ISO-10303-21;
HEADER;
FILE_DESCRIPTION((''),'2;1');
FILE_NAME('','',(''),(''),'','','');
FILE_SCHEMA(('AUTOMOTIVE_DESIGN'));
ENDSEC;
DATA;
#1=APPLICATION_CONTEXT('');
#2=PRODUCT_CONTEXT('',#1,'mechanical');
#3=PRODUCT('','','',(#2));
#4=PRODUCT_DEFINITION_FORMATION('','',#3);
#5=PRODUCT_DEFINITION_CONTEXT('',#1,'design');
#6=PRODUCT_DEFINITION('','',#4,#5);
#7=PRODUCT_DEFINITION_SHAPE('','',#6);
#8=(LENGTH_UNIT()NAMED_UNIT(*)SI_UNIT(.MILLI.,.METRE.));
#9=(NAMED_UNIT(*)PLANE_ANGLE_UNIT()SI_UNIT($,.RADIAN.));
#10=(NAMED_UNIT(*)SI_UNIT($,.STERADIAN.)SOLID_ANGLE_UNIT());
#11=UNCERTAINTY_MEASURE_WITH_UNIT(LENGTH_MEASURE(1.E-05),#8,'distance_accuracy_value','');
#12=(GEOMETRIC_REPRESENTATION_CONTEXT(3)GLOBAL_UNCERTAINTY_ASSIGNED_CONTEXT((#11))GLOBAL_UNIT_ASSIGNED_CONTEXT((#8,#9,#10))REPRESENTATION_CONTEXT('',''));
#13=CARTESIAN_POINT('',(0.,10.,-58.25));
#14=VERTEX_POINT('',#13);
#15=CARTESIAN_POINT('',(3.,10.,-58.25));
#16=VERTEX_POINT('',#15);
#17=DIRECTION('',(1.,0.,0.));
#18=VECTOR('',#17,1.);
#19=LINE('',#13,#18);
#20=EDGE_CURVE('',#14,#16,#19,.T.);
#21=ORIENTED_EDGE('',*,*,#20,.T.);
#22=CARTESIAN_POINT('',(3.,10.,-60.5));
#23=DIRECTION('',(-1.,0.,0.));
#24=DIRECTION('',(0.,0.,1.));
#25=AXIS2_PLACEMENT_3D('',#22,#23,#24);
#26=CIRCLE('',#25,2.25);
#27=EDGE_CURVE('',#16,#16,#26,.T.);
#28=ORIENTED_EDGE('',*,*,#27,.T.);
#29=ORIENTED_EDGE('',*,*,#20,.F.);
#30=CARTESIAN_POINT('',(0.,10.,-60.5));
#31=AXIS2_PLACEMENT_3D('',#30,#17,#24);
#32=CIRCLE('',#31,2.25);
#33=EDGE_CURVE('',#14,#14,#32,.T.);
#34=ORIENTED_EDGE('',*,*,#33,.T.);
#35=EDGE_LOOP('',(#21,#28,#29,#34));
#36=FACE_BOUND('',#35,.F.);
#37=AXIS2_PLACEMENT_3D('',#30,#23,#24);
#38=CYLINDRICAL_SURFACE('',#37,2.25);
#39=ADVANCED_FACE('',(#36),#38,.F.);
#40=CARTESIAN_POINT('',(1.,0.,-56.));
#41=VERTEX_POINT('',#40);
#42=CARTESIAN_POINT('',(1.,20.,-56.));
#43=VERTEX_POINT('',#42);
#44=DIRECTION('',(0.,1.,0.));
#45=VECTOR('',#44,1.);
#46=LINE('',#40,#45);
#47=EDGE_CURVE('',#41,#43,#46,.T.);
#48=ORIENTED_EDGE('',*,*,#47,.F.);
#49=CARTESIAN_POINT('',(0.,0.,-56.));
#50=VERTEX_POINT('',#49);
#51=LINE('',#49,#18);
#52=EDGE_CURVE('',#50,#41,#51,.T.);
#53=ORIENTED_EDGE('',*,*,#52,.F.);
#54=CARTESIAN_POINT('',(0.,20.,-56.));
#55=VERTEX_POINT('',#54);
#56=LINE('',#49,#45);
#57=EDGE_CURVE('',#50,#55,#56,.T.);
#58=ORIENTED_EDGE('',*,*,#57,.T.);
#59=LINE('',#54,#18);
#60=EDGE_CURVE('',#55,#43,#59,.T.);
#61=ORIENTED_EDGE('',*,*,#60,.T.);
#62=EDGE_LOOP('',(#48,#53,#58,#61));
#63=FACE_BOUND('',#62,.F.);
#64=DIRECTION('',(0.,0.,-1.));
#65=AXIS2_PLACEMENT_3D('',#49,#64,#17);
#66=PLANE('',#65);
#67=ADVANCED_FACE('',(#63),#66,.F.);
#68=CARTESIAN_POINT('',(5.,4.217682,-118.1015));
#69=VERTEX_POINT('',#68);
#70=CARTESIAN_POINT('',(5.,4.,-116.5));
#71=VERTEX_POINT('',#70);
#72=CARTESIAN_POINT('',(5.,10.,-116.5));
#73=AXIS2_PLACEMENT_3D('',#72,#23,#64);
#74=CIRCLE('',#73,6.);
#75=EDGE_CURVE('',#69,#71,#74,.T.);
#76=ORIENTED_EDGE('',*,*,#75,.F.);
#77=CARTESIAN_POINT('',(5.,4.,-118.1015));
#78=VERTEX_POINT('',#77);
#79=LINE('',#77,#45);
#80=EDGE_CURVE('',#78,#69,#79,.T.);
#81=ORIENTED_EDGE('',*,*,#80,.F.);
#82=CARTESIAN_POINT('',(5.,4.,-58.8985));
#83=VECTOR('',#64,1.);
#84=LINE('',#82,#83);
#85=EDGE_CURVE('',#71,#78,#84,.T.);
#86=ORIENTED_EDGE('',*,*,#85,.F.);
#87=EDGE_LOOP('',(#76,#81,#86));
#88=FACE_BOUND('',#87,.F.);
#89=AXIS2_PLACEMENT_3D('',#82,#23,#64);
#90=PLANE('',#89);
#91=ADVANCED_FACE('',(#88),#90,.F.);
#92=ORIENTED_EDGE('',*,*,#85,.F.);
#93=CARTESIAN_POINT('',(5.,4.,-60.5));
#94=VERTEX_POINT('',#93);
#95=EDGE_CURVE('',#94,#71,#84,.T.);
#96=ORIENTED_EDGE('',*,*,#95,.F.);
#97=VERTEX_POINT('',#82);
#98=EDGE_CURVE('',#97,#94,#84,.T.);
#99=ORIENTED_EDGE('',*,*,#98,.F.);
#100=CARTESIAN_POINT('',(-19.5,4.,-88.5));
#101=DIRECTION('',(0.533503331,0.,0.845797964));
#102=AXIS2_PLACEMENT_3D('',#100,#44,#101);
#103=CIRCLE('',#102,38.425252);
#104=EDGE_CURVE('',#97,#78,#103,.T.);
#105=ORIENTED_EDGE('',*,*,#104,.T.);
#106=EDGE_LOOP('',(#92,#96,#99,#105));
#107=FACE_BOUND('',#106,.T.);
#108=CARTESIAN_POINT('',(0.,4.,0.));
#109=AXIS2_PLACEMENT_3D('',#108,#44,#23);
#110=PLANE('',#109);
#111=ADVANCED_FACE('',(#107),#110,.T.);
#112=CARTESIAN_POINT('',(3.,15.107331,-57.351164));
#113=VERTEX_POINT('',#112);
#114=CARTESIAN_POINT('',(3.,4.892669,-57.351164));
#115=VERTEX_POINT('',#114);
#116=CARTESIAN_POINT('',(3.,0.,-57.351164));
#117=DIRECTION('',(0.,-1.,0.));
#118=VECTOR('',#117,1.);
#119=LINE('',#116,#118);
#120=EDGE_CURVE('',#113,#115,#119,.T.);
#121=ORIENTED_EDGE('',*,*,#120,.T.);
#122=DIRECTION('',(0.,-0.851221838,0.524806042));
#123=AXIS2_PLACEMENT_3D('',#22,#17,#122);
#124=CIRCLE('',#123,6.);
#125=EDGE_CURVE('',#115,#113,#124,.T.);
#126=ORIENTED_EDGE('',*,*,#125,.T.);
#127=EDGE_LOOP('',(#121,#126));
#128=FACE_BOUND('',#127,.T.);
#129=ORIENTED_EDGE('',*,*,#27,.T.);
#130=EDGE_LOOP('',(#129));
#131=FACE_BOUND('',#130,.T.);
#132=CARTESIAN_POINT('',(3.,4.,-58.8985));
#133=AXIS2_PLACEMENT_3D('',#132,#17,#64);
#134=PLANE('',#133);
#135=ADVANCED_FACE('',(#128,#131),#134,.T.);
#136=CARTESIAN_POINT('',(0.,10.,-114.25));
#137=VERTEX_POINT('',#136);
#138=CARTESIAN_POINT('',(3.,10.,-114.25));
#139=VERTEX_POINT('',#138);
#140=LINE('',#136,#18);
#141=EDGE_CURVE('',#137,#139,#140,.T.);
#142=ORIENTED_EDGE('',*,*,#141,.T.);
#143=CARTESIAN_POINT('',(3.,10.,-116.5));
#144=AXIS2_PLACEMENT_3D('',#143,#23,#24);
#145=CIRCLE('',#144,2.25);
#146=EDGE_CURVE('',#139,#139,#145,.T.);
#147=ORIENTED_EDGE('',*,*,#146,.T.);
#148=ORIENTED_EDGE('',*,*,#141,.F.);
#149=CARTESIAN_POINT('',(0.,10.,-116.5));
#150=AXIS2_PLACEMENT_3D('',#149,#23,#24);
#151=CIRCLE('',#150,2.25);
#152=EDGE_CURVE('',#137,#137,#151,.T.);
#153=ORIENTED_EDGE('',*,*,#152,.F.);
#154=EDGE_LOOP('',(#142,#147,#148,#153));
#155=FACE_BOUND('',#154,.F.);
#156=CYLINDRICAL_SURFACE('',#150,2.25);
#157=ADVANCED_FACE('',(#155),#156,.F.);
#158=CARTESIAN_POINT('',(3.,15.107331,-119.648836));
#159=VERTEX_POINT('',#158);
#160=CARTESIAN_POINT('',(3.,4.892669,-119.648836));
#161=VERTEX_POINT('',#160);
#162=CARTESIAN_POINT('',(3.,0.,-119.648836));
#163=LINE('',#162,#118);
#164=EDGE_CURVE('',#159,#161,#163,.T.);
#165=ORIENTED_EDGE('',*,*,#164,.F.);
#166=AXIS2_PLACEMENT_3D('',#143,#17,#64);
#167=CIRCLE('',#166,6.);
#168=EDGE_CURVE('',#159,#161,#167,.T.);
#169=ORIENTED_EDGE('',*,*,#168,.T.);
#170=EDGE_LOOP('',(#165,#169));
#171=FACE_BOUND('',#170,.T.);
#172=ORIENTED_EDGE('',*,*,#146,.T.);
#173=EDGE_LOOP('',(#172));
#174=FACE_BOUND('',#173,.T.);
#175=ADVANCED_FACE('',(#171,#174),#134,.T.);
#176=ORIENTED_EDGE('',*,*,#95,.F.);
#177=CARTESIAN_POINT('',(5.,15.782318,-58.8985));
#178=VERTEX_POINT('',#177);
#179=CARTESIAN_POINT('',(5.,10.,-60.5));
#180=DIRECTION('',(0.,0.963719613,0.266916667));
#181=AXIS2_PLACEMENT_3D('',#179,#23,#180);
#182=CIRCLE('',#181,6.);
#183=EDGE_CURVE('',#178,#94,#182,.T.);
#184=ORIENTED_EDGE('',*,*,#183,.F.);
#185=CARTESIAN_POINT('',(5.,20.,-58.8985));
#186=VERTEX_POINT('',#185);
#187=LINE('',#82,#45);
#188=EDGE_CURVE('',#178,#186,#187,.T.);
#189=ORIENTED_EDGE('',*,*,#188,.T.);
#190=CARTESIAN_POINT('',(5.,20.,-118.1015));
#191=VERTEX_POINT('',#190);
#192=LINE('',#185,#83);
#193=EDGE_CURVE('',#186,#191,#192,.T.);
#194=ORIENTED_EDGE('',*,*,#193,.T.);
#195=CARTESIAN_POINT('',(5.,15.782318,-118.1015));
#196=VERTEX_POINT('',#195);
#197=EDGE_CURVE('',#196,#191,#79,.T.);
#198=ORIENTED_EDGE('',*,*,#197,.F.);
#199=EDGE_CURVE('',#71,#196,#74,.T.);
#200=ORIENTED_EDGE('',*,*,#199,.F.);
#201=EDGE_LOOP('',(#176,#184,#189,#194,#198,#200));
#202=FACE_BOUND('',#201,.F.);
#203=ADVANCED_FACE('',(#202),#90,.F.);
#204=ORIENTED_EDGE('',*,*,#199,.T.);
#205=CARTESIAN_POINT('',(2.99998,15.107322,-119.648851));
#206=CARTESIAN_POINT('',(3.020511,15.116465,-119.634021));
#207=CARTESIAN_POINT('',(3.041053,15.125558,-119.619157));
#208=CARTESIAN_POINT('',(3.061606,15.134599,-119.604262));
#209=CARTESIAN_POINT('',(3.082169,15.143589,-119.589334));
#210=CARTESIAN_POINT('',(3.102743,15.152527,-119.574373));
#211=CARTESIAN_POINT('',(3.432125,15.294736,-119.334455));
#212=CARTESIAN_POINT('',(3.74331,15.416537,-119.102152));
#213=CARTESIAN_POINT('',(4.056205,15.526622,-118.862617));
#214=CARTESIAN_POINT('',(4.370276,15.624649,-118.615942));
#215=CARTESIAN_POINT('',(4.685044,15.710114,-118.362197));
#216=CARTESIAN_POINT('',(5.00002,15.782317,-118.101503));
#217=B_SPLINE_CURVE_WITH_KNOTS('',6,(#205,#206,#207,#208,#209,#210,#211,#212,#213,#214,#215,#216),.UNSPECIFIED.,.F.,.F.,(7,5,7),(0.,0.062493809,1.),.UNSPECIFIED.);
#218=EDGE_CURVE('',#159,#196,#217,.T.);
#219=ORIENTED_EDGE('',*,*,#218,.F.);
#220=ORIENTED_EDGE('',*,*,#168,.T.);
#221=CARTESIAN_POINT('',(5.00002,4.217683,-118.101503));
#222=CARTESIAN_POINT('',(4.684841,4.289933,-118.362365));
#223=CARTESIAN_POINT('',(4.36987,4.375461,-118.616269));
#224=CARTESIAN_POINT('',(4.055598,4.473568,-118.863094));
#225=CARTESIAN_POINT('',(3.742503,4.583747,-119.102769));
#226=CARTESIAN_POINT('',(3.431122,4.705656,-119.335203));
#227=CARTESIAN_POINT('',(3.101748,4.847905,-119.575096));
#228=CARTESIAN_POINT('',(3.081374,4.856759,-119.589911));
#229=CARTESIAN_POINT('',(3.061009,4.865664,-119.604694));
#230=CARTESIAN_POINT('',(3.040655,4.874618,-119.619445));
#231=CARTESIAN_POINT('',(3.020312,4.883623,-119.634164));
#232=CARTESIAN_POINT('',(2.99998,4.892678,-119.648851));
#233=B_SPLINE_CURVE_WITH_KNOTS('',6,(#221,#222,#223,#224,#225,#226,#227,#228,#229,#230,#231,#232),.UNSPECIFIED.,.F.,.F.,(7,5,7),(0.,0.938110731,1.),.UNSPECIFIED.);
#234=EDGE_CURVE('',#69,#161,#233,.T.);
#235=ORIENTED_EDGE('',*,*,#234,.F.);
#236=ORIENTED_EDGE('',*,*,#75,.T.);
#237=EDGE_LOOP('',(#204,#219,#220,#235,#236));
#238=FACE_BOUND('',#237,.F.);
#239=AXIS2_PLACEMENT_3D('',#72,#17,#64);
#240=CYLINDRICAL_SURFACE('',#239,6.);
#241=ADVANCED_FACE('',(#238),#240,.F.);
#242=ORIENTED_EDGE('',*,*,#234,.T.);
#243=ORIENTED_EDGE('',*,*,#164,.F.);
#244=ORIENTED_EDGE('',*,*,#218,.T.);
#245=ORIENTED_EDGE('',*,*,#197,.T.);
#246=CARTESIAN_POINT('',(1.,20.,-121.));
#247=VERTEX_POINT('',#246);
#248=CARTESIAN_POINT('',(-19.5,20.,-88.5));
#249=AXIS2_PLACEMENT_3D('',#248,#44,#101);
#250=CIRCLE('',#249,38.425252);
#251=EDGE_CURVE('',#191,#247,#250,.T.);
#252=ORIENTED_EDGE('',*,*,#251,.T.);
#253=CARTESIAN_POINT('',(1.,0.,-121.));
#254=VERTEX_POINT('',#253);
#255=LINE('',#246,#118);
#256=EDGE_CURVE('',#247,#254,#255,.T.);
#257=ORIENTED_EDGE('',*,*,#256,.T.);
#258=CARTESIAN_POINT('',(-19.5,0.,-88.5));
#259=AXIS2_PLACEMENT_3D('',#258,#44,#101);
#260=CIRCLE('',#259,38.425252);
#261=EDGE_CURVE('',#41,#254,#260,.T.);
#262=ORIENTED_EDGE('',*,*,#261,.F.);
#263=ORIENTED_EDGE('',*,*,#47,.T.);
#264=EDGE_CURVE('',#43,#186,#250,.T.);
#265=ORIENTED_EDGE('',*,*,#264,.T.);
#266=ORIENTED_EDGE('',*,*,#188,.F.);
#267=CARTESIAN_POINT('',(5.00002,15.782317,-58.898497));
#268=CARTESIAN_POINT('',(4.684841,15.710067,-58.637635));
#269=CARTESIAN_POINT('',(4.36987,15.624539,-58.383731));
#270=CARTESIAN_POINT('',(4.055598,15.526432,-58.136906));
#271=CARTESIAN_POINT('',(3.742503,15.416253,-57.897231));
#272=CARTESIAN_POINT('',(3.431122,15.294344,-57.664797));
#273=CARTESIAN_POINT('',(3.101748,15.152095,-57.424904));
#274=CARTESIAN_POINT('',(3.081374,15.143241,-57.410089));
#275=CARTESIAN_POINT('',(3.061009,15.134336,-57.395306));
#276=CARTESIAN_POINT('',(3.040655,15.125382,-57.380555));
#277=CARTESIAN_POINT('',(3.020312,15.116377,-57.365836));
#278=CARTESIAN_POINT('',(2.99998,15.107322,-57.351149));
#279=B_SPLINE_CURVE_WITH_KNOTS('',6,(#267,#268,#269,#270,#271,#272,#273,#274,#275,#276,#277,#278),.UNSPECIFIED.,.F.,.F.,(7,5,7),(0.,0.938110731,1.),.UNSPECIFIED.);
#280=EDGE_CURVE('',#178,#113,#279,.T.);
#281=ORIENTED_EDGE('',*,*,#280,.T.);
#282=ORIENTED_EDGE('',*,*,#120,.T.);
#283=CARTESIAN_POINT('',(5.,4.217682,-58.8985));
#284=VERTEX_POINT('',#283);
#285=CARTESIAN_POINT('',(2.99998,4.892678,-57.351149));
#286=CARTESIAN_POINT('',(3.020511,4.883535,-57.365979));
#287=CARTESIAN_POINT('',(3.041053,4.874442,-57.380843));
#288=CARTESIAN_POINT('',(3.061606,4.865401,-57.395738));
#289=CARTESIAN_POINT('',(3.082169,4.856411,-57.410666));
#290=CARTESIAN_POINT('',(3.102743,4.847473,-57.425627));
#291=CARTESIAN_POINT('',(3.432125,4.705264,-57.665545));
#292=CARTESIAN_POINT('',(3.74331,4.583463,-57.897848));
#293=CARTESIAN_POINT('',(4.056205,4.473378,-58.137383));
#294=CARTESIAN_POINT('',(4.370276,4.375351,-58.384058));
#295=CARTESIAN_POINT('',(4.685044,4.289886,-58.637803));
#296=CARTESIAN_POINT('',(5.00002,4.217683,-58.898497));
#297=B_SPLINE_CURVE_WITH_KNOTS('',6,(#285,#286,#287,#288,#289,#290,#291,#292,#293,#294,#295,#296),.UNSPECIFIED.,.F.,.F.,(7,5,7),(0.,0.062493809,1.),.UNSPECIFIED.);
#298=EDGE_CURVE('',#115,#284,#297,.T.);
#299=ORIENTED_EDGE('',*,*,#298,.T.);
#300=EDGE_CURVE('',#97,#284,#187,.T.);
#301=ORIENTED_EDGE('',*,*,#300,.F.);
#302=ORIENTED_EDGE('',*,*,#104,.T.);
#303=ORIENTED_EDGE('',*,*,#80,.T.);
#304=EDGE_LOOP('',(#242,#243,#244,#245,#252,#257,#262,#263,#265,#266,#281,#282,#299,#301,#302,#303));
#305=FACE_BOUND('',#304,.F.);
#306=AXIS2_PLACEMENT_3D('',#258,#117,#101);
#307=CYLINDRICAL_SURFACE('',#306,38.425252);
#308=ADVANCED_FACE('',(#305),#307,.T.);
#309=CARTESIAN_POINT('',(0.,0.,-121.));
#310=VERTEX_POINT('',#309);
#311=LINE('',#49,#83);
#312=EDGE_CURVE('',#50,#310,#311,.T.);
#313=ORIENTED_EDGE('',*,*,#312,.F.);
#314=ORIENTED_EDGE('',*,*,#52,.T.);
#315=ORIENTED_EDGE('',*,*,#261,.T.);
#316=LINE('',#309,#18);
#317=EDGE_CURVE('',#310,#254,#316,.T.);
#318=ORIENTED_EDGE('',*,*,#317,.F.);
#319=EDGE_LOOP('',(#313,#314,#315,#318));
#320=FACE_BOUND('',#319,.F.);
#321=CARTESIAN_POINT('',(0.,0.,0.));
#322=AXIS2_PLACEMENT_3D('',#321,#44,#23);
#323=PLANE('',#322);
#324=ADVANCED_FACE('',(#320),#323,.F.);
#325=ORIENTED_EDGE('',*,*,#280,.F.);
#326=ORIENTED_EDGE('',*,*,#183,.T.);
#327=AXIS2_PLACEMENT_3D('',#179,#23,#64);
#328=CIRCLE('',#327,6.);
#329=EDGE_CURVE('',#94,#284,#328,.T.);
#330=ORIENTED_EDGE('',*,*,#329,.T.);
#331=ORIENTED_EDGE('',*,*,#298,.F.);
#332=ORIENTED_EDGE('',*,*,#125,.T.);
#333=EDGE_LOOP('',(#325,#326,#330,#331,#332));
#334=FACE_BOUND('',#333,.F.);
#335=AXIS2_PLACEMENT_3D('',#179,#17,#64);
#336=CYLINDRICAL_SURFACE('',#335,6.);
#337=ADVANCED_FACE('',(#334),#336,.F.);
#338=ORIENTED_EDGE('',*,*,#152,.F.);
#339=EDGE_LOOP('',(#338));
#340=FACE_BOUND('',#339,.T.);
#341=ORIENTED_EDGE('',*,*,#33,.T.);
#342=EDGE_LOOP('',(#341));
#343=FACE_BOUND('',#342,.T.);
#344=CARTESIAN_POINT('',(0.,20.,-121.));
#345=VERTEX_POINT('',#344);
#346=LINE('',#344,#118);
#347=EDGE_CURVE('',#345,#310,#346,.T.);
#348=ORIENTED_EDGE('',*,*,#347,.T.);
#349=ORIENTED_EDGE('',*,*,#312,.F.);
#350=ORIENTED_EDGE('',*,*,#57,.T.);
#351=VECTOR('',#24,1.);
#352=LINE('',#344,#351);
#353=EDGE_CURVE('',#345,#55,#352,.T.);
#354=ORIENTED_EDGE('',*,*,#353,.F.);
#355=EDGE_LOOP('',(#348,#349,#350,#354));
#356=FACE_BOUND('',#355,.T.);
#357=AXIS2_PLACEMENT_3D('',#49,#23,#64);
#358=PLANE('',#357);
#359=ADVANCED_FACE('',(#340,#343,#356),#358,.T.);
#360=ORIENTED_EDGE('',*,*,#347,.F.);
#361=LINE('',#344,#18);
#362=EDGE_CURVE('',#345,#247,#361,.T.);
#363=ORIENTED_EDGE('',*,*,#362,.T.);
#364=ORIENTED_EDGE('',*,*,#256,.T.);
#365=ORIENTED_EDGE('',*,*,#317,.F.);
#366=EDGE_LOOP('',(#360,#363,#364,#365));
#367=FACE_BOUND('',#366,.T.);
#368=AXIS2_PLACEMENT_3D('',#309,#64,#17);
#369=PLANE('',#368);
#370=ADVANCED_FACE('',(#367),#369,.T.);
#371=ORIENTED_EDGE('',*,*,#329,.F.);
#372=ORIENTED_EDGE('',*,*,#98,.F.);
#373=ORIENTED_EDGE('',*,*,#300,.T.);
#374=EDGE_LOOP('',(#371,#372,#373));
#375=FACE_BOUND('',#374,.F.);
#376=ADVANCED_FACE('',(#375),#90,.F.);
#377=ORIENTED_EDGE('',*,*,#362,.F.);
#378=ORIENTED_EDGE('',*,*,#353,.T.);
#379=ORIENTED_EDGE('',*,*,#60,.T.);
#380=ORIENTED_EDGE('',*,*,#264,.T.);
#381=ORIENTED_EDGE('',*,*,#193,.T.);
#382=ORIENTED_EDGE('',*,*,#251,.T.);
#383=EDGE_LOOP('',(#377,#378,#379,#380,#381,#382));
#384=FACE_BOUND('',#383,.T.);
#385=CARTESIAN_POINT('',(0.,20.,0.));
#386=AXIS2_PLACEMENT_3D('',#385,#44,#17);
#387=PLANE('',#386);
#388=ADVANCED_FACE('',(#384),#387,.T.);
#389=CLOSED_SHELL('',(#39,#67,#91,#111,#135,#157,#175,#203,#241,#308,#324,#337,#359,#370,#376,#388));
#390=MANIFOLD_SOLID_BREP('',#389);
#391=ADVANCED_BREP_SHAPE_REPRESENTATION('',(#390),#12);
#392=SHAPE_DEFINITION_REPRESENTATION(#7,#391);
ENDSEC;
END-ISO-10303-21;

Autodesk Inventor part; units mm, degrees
ref_plane "YZ Plane" through (0, 0, 0) normal (1, 0, 0) x (0, 1, 0)
ref_plane "XZ Plane" through (0, 0, 0) normal (0, 1, 0) x (-1, 0, 0)
ref_plane "XY Plane" through (0, 0, 0) normal (0, 0, 1) x (1, 0, 0)
sketch "Эскиз1" plane through (0, 0, 0) normal (0, 1, 0) x (-1, 0, 0)
  line L0 (0, -56) -> (0, -121)
  line L1 (0, -56) -> (-1, -56)
  line L2 (0, -56) -> (1, -56) construction
  line L3 (0, -121) -> (-1, -121)
  line L4 (0, -121) -> (1, -121) construction
  arc A0 (-1, -56) -> (-1, -121) centre (19.5, -88.5) ccw
  dimension "d5" = 65
  dimension "d6" = 1
  dimension "d7" = 180
  dimension "d8" = 1
  dimension "d9" = 180
extrude "Выдавливание1" add sketch "Эскиз1" along normal blind 4
sketch "Эскиз2" plane through (0, 4, 0) normal (0, 1, 0) x (1, 0, 0)
  line L0 (0, 121) -> (0, 56) projected
  line L1 (0, 56) -> (0, 121)
  line L2 (0, 121) -> (1, 121)
  line L3 (0, 56) -> (1, 56)
  arc A0 (1, 56) -> (1, 121) centre (-19.5, 88.5) ccw projected
  line L4 (5, 58.8985) -> (5, 118.1015)
  arc A1 (1, 56) -> (5, 58.8985) centre (-19.5, 88.5) ccw
  arc A2 (5, 118.1015) -> (1, 121) centre (-19.5, 88.5) ccw
  point P0 (0, 0)
extrude "Выдавливание2" add sketch "Эскиз2" along normal blind 16 contours L2 A0 L4 L3 L0
sketch "Эскиз3" plane through (0, 0, -121) normal (-1, 0, 0) x (0, 0, 1)
  line L0 (65, 0) -> (0, 0) projected
  line L1 (32.5, 0) -> (32.5, 20)
  line L2 (0, 20) -> (65, 20) projected
  line L3 (4.5, 10) -> (60.5, 10)
  circle A0 centre (4.5, 10) radius 2.25
  circle A1 centre (60.5, 10) radius 2.25
  point P0 (121, 0)
  dimension "d17" = 4.5
  dimension "d18" = 4.5
extrude "Выдавливание3" cut sketch "Эскиз3" against normal blind 5
sketch "Эскиз4" plane through (5, 4, -58.8985) normal (1, 0, 0) x (0, 0, -1)
  arc A0 (0, 4.4196) -> (0, 7.5804) centre (1.6015, 6) ccw projected
  circle A1 centre (1.6015, 6) radius 6
  line L0 (59.203, 0) -> (0, 0) projected
  arc A2 (59.203, 7.5804) -> (59.203, 4.4196) centre (57.6015, 6) ccw projected
  circle A3 centre (57.6015, 6) radius 6
  point P0 (-58.8985, -4)
extrude "Выдавливание4" cut sketch "Эскиз4" against normal blind 2
properties part number "05-01-Кронштейн низ защита (update)"
